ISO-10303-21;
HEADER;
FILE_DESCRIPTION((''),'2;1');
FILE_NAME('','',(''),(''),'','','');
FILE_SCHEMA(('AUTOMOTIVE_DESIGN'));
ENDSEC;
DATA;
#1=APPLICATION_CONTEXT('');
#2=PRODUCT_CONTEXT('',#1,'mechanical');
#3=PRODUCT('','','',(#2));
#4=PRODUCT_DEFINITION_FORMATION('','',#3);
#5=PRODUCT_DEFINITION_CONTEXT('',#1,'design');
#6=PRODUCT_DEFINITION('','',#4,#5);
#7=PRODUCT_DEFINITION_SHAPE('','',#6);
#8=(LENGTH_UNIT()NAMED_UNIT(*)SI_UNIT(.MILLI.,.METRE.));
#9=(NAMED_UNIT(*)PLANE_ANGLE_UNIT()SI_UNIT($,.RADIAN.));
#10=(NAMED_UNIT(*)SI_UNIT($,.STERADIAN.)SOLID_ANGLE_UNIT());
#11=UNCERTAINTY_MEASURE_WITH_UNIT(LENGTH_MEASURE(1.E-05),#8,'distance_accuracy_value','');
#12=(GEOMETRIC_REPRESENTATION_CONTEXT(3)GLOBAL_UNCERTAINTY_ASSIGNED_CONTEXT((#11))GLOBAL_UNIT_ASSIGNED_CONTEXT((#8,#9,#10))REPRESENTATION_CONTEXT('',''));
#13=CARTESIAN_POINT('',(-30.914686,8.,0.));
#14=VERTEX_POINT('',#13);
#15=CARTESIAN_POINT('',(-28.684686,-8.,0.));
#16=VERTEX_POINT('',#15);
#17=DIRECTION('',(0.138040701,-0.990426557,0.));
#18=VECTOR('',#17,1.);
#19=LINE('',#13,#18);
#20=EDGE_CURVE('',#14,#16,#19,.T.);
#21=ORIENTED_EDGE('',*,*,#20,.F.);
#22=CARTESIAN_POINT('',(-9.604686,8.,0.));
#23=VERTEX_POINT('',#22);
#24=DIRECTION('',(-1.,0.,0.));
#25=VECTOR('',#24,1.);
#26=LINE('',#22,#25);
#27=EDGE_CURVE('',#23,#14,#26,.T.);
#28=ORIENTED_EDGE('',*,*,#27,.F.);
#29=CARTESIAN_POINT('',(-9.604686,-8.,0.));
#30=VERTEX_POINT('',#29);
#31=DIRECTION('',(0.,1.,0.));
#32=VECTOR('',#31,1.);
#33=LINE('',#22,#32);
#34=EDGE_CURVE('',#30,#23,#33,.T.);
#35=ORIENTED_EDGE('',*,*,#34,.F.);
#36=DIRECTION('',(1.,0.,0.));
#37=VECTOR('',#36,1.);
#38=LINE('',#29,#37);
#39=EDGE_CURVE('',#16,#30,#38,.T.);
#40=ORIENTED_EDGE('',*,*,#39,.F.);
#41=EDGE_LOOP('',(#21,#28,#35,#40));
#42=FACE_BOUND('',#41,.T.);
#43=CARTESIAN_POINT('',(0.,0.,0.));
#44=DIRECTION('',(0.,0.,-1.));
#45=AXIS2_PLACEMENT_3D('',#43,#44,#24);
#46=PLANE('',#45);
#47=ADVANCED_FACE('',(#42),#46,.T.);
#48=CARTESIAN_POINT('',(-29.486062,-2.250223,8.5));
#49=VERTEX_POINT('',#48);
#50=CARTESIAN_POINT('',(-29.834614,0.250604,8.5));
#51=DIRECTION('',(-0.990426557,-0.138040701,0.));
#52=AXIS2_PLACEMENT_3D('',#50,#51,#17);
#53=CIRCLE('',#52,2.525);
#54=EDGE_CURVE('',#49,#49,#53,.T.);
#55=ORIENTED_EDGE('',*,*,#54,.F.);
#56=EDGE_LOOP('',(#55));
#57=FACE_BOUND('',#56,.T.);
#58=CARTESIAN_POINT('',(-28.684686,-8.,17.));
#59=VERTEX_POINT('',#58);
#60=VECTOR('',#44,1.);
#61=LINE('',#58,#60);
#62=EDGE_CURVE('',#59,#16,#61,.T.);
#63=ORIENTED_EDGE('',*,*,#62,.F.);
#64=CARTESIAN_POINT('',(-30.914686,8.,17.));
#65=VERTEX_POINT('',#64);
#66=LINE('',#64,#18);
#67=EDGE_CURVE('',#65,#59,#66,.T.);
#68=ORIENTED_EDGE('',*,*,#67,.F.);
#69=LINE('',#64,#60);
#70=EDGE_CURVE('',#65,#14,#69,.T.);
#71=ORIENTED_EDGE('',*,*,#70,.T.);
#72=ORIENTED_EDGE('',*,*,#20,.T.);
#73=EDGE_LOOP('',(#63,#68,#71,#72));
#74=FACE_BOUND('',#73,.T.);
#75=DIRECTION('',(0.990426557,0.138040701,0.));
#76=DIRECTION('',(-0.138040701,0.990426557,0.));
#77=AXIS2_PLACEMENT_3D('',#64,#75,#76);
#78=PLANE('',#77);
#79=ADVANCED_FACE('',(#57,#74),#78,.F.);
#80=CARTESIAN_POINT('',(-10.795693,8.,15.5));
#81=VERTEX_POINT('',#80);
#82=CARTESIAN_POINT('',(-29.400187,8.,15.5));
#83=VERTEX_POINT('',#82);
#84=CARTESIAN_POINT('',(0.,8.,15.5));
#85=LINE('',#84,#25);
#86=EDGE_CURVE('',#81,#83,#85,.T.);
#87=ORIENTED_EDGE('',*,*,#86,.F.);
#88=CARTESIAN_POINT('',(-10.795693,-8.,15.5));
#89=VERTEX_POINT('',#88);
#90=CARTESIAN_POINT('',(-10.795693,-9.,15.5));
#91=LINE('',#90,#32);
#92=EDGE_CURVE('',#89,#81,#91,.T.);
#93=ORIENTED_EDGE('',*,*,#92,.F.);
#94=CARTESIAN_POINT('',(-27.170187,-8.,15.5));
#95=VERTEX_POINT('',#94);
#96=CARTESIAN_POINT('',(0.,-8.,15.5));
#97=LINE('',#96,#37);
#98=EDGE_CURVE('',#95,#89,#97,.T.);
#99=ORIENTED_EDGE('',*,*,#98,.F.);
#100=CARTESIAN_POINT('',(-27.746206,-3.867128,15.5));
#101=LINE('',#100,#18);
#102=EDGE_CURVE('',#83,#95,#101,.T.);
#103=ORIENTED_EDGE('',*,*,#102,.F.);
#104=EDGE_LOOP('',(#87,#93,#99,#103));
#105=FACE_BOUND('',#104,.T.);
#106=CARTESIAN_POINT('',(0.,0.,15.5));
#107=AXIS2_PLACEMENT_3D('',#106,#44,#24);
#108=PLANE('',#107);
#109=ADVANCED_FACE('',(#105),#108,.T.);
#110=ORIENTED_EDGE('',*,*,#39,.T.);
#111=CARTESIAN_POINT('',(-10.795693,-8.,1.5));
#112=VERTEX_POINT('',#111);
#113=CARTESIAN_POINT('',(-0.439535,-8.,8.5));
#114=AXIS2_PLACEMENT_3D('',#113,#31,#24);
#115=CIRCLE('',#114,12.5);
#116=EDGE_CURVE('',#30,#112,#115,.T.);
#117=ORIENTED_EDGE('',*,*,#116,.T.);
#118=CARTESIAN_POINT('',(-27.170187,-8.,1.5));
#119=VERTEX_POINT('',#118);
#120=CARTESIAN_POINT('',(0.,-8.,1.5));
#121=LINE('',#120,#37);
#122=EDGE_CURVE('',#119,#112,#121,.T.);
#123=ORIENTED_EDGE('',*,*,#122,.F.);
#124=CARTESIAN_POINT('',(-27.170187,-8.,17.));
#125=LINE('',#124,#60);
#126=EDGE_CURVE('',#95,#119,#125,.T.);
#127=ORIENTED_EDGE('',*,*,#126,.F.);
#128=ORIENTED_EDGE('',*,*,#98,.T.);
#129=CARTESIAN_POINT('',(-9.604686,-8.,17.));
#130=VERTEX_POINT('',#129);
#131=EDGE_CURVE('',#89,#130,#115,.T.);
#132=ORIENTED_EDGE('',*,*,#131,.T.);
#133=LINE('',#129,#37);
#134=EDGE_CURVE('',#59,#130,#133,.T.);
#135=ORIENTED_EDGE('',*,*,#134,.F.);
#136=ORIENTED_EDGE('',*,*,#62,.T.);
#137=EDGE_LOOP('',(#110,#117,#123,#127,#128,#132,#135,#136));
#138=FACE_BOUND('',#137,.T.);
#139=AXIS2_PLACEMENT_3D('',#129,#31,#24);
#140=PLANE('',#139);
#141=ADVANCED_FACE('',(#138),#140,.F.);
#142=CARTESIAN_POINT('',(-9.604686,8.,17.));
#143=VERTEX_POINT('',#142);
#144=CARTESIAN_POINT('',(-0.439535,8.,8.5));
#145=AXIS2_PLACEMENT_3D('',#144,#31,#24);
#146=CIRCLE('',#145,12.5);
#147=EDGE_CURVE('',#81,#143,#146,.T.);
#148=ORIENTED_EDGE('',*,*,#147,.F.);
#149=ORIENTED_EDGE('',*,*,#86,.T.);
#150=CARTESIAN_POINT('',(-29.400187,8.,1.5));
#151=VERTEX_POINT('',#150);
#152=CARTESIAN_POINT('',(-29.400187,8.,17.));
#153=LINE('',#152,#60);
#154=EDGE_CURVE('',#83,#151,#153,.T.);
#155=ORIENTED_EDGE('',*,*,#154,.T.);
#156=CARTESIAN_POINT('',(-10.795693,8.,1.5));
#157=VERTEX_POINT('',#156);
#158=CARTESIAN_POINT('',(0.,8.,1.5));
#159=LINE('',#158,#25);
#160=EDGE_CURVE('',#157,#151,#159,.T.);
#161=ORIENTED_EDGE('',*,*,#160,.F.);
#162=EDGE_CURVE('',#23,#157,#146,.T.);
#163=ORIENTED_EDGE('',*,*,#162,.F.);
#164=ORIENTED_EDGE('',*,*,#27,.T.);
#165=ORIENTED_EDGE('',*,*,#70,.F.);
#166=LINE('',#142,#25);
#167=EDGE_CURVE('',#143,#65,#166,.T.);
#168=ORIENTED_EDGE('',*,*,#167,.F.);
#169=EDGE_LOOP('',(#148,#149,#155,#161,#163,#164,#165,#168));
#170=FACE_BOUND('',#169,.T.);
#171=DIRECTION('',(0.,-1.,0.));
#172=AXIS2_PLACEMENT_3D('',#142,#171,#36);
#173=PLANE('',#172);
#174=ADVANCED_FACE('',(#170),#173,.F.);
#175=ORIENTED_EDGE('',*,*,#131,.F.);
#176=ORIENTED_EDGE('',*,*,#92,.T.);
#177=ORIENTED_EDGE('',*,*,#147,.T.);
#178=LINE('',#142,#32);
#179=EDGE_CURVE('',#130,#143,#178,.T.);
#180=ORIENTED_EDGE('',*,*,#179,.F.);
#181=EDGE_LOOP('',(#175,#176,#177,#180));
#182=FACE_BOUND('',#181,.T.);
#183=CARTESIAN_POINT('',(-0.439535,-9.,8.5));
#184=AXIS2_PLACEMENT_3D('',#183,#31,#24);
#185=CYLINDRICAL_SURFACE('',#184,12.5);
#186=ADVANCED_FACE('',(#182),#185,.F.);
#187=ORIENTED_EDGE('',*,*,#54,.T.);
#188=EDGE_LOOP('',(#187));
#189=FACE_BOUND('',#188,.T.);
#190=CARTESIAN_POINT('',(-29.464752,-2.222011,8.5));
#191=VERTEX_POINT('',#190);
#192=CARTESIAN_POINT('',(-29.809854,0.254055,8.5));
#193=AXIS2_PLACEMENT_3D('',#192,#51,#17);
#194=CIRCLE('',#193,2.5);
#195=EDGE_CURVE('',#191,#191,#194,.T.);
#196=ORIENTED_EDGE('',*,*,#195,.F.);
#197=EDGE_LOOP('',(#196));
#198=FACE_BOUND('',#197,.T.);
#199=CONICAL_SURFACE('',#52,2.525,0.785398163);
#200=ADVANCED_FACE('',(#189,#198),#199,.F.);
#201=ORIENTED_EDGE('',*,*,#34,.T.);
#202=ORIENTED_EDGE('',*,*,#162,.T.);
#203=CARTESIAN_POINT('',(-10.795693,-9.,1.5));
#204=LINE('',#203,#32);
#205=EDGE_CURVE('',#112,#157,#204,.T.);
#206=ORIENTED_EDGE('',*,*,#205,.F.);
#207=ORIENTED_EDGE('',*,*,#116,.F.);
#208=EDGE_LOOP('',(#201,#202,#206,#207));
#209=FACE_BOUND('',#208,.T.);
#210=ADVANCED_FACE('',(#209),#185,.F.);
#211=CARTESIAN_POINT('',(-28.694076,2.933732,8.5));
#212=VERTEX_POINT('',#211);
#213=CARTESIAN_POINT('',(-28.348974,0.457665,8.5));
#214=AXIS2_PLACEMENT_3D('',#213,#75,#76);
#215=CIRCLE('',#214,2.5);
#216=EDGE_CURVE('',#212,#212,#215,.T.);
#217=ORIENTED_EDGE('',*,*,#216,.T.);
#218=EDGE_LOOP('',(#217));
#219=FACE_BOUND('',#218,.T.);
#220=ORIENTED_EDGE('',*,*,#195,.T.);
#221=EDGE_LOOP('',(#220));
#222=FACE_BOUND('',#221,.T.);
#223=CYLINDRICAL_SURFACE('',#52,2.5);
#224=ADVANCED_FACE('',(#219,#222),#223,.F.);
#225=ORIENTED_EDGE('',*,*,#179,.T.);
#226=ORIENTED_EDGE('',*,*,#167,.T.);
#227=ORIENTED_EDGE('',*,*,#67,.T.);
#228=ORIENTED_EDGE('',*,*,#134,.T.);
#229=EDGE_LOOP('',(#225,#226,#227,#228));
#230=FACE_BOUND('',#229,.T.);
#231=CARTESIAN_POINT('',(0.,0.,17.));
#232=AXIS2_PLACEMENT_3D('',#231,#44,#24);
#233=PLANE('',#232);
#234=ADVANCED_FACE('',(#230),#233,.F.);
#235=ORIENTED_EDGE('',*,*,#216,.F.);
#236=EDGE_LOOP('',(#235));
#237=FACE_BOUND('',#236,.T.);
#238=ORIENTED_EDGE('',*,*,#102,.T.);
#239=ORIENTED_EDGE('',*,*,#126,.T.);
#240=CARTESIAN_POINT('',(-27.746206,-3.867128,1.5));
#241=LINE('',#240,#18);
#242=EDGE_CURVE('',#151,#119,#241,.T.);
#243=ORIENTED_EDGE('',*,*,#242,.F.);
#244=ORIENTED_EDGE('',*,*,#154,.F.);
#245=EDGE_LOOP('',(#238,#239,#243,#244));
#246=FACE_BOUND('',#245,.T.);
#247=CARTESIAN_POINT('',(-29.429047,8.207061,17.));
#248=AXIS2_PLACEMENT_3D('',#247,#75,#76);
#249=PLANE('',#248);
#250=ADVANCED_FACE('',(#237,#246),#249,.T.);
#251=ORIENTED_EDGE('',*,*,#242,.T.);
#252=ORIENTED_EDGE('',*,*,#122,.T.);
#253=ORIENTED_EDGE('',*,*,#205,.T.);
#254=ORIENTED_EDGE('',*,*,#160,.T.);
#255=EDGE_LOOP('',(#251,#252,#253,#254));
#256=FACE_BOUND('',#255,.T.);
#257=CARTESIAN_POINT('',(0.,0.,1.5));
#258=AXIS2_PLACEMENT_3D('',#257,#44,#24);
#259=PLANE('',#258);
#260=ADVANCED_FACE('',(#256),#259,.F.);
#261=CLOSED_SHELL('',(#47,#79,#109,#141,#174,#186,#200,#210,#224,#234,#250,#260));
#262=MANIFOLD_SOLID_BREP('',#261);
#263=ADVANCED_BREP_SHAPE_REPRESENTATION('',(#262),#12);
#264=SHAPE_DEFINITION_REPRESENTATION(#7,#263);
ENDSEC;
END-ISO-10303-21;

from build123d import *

# Parameters (mm, degrees)
DODANIE_WYCI_GNI_CIE1_DEPTH = 17
SKORUPA2_T                  = -1.5
SZKIC5_R                    = 12.5
WYTNIJ_WYCI_GNI_CIE1_DEPTH  = 17


with BuildPart() as part:
    # Szkic1 → Dodanie-wyciągnięcie1 (new body)
    with BuildSketch(Plane.XY):
        Polygon((-9.604686356, 8), (-30.914686356, 8), (-28.684686356, -8), (-9.604686356, -8), align=None)
    extrude(amount=DODANIE_WYCI_GNI_CIE1_DEPTH)

    # Skorupa2
    skorupa2_openings = [part.faces().sort_by_distance(p)[0] for p in [
        (-19.144686356, -8, 8.5),
        (-20.259686356, 8, 8.5),
        (-9.604686356, 0, 8.5),
    ]]
    offset(amount=SKORUPA2_T, openings=skorupa2_openings, kind=Kind.INTERSECTION)

    # Szkic3 → Pogłębienie walcowe pod M2 Śrubę z łbem stożkowym ściętym1 (revolve, cut)
    with BuildSketch(Plane(origin=(-29.834614332, 0.250604313, 8.5), x_dir=(0.138040701, -0.990426557, 0), z_dir=(0, 0, 1))):
        Polygon((0, 0), (0, 10.721032743), (1.2, 10), (1.2, 1.6), (2.5, 1.6), (2.5, 0.025), (2.525, 0), align=None)
    revolve(axis=Axis((-36.123822969, -0.625954141, 8.5), (0.990426557, 0.138040701, 0)), mode=Mode.SUBTRACT)

    # Szkic5 → Wytnij-wyciągnięcie1 (cut)
    with BuildSketch(Plane(origin=(0, 8, 0), x_dir=(1, 0, 0), z_dir=(0, 1, 0))):
        with Locations((-0.439534966, -8.5)):
            Circle(SZKIC5_R)
    extrude(amount=-WYTNIJ_WYCI_GNI_CIE1_DEPTH, mode=Mode.SUBTRACT)


solid = part.part
